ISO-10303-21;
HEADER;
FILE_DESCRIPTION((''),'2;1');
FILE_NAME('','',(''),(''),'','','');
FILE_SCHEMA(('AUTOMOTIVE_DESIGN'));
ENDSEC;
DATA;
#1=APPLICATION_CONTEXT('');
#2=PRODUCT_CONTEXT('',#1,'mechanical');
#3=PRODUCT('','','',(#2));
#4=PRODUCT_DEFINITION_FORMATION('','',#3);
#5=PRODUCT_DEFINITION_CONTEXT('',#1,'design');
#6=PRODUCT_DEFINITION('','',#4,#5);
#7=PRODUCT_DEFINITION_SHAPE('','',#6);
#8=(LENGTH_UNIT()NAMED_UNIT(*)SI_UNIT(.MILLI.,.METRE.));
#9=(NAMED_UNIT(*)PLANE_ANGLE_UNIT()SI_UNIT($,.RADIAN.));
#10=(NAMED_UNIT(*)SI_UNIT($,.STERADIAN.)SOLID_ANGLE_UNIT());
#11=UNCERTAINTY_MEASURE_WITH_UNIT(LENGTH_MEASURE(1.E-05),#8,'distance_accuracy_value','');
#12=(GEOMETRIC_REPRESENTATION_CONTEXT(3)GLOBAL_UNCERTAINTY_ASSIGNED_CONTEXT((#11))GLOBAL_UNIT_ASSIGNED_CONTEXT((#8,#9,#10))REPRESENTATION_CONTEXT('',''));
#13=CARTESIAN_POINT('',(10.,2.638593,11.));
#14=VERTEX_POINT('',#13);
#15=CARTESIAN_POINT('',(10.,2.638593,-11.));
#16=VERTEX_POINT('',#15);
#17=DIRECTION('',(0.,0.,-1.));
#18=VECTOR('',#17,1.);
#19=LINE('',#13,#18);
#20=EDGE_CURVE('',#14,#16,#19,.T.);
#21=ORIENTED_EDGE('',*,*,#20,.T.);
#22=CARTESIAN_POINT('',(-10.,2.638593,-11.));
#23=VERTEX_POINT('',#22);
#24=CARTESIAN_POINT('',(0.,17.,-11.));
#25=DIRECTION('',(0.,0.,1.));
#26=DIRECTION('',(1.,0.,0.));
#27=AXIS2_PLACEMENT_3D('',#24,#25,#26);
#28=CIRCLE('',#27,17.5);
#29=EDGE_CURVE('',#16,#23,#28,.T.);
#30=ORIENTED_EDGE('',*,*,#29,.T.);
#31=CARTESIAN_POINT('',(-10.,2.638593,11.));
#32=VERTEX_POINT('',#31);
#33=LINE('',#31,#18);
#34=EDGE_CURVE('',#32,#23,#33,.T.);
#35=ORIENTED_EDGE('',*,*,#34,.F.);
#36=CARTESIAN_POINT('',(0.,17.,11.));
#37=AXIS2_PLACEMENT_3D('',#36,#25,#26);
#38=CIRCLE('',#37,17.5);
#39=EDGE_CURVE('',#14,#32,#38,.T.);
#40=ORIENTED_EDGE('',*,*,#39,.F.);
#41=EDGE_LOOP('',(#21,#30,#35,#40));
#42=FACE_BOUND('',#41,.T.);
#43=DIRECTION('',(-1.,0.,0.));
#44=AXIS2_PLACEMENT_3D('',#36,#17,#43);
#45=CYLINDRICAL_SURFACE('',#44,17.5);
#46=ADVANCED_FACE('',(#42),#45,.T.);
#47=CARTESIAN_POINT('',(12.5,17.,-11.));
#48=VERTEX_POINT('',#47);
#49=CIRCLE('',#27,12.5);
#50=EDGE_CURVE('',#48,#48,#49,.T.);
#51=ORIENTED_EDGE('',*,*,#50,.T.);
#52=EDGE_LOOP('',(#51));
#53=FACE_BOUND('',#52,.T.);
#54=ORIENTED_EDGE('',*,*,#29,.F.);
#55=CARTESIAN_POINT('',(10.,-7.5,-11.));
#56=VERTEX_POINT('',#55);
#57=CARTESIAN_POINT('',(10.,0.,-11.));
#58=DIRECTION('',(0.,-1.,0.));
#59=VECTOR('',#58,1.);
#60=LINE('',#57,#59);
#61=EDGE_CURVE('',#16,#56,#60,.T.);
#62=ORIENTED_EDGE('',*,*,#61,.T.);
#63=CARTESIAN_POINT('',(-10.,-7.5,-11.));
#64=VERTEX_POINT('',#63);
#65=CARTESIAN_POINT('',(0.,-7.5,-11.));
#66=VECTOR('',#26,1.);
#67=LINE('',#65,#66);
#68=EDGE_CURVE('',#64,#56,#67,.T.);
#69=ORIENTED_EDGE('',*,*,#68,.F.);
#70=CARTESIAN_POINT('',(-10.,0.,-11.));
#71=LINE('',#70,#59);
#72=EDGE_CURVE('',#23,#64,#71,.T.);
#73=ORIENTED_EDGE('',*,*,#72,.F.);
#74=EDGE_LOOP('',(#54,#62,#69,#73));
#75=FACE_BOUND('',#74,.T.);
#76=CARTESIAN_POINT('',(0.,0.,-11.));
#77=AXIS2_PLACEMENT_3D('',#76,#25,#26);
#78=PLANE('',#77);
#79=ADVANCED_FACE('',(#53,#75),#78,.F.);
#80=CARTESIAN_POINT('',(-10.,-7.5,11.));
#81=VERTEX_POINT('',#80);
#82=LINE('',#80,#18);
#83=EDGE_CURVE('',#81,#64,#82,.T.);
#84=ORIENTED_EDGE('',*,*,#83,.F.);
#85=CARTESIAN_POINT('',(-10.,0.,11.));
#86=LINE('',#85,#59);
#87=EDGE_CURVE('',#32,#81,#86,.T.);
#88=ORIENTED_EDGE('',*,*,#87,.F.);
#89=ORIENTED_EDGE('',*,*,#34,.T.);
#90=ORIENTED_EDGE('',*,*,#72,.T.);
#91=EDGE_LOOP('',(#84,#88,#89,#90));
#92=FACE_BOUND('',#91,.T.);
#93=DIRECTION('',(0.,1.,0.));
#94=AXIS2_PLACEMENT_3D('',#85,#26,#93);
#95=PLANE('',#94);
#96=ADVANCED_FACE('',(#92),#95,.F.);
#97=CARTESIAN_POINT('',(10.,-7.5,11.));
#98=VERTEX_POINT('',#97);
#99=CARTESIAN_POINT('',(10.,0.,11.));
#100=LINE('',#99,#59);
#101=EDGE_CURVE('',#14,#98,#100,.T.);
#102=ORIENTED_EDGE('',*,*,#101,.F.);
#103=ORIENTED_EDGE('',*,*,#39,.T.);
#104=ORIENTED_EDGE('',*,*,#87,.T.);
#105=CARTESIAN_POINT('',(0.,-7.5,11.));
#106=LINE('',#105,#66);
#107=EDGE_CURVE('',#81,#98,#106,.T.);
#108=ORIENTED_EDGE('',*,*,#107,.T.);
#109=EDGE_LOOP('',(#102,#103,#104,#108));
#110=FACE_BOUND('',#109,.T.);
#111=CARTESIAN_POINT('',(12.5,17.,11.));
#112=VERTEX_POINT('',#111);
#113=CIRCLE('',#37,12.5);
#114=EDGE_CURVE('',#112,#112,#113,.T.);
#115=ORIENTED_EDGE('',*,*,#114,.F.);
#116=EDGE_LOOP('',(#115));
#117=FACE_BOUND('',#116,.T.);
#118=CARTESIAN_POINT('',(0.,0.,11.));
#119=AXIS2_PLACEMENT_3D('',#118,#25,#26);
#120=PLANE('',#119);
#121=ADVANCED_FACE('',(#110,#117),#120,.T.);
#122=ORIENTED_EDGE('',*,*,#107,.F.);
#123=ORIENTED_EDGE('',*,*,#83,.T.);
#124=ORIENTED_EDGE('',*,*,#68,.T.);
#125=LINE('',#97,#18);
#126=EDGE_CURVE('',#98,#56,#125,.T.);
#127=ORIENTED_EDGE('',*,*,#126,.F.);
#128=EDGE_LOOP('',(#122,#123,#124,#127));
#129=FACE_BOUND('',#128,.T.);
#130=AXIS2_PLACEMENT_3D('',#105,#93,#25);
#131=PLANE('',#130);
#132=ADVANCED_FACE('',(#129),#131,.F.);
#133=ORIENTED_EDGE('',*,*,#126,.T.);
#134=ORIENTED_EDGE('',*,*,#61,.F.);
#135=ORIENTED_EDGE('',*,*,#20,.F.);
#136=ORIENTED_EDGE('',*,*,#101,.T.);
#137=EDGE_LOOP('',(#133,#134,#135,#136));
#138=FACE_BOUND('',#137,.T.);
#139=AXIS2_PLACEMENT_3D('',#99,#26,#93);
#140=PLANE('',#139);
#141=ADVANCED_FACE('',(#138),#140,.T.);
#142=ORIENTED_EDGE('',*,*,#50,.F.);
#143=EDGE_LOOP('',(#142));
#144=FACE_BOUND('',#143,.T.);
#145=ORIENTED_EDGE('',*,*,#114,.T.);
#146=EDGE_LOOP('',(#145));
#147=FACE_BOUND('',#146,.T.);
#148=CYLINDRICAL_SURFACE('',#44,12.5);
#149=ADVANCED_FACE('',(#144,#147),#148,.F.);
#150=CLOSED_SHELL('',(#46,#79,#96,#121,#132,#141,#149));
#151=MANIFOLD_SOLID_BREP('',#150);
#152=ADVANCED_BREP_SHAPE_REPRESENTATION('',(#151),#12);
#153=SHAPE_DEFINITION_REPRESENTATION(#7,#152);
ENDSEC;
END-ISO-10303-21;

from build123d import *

# Parameters (mm, degrees)
SKETCH_1_R      = 12.5
EXTRUDE_1_DEPTH = 11


with BuildPart() as part:
    # 草图1 → 凸台-拉伸1 (new, symmetric)
    with BuildSketch(Plane.XY):
        with BuildLine():
            ThreePointArc((10, 2.638593384), (0, 34.5), (-10, 2.638593384))
            Line((-10, 2.638593384), (-10, -7.5))
            Line((-10, -7.5), (10, -7.5))
            Line((10, -7.5), (10, 2.638593384))
        make_face()
        with Locations((0, 17)):
            Circle(SKETCH_1_R, mode=Mode.SUBTRACT)
    extrude(amount=EXTRUDE_1_DEPTH, both=True)


solid = part.part
